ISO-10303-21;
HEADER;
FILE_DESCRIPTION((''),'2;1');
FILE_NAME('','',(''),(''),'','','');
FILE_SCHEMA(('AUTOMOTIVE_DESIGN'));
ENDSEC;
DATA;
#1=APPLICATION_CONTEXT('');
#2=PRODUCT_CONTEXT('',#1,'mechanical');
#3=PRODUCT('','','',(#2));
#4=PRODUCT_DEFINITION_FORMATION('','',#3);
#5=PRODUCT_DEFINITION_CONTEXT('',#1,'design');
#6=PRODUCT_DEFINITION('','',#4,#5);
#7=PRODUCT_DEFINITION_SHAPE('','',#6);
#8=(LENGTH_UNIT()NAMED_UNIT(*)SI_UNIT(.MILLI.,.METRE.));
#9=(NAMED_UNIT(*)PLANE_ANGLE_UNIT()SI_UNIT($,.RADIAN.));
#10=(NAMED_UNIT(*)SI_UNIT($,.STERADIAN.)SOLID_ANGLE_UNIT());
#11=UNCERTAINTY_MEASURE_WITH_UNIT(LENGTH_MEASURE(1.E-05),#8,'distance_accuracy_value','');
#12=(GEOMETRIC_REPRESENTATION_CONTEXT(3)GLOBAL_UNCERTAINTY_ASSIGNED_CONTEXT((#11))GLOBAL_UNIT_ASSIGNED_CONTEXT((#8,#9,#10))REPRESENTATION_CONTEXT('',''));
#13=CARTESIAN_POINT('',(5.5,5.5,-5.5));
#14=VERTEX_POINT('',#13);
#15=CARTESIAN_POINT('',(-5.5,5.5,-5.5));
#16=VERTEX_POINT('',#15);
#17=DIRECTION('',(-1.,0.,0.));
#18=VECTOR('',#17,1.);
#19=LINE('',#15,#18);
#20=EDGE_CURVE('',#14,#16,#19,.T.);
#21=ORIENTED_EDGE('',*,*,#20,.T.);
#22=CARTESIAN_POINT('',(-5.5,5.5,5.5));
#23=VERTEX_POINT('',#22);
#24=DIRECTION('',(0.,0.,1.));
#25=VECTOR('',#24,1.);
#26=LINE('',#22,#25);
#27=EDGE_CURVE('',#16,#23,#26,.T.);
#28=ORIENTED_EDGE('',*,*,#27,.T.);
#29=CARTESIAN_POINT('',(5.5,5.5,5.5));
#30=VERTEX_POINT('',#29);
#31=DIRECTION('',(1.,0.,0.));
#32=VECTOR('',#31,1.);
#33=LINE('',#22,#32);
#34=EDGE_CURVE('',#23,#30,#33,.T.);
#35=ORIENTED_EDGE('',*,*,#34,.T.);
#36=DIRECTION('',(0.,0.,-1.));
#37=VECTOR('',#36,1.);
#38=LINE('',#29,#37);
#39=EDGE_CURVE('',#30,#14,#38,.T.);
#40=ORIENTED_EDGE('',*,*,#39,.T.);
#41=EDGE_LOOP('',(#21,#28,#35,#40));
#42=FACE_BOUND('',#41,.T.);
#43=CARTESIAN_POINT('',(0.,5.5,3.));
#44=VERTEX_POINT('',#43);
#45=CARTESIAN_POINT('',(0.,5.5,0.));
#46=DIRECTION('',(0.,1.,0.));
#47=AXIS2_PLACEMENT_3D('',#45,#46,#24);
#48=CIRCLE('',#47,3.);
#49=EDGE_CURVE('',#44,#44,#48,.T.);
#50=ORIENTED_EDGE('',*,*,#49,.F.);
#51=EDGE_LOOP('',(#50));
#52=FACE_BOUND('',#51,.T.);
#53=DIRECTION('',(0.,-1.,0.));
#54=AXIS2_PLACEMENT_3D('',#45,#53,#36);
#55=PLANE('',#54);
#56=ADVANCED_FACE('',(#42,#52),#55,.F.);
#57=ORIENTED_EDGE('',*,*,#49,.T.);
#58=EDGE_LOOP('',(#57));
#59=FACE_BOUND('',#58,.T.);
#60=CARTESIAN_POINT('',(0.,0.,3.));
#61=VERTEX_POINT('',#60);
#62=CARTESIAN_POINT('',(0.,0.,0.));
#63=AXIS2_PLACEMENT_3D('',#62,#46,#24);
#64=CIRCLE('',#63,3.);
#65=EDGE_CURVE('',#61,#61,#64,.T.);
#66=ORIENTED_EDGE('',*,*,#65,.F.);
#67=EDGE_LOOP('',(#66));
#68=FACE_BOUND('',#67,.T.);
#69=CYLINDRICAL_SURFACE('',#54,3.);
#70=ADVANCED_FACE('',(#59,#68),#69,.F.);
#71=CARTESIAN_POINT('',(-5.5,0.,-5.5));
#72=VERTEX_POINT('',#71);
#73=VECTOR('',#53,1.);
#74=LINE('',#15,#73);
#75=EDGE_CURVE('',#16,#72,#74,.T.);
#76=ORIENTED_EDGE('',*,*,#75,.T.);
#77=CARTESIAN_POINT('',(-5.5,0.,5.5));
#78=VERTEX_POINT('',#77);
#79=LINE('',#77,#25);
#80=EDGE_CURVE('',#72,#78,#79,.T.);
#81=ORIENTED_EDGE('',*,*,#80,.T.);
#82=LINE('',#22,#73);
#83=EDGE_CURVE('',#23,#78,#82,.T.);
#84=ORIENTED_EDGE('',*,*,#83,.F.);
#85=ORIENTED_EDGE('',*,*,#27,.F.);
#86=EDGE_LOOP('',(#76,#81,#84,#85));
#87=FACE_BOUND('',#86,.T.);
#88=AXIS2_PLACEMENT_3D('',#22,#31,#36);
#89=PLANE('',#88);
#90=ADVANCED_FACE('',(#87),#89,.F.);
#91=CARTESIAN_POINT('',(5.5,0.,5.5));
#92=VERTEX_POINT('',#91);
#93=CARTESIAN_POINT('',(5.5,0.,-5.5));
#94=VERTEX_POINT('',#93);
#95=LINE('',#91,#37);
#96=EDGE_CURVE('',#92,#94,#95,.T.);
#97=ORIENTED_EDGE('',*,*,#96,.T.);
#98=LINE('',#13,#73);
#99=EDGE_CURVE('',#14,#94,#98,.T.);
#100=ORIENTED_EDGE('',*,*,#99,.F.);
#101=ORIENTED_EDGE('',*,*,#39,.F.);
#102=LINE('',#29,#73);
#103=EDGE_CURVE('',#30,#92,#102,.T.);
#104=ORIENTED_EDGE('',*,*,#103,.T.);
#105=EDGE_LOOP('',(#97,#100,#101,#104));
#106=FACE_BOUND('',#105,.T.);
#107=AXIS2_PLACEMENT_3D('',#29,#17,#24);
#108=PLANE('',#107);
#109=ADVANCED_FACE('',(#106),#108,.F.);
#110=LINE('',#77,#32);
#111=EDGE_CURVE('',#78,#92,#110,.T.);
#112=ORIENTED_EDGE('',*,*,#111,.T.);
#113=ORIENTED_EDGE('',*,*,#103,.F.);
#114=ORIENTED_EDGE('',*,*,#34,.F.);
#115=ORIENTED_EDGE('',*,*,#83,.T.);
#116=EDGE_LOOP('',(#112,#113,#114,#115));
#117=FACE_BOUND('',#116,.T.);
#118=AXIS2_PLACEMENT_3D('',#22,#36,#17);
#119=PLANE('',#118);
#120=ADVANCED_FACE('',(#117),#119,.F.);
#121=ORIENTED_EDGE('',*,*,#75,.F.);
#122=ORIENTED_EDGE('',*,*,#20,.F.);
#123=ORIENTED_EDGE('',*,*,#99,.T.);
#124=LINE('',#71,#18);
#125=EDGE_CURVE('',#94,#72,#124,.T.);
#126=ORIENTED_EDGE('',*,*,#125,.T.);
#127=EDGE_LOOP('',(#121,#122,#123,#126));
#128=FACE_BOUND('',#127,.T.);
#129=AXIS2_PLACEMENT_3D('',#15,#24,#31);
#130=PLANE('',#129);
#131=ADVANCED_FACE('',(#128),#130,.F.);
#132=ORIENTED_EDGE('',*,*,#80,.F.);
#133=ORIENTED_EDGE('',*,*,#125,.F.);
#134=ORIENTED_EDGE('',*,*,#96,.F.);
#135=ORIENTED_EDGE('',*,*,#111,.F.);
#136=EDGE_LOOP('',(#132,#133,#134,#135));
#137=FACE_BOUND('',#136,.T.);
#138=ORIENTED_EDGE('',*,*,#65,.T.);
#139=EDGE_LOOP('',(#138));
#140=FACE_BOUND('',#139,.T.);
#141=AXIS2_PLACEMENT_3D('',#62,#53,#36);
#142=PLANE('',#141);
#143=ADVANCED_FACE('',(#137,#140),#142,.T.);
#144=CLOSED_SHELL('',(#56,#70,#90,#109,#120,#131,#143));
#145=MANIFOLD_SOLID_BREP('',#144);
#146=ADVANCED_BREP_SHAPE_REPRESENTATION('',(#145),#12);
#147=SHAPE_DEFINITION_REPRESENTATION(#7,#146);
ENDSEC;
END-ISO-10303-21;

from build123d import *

# Parameters (mm, degrees)
SKETCH1_W           = 11
SKETCH1_H           = 11
SKETCH1_R           = 3
BOSS_EXTRUDE1_DEPTH = 5.5


with BuildPart() as part:
    # Sketch1 → Boss-Extrude1 (new body)
    with BuildSketch(Plane(origin=(0, 0, 0), x_dir=(1, 0, 0), z_dir=(0, 1, 0))):
        Rectangle(SKETCH1_W, SKETCH1_H)
        with Locations(Location((0, 0, 0), (0, 0, 270))):
            Circle(SKETCH1_R, mode=Mode.SUBTRACT)
    extrude(amount=BOSS_EXTRUDE1_DEPTH)


solid = part.part
